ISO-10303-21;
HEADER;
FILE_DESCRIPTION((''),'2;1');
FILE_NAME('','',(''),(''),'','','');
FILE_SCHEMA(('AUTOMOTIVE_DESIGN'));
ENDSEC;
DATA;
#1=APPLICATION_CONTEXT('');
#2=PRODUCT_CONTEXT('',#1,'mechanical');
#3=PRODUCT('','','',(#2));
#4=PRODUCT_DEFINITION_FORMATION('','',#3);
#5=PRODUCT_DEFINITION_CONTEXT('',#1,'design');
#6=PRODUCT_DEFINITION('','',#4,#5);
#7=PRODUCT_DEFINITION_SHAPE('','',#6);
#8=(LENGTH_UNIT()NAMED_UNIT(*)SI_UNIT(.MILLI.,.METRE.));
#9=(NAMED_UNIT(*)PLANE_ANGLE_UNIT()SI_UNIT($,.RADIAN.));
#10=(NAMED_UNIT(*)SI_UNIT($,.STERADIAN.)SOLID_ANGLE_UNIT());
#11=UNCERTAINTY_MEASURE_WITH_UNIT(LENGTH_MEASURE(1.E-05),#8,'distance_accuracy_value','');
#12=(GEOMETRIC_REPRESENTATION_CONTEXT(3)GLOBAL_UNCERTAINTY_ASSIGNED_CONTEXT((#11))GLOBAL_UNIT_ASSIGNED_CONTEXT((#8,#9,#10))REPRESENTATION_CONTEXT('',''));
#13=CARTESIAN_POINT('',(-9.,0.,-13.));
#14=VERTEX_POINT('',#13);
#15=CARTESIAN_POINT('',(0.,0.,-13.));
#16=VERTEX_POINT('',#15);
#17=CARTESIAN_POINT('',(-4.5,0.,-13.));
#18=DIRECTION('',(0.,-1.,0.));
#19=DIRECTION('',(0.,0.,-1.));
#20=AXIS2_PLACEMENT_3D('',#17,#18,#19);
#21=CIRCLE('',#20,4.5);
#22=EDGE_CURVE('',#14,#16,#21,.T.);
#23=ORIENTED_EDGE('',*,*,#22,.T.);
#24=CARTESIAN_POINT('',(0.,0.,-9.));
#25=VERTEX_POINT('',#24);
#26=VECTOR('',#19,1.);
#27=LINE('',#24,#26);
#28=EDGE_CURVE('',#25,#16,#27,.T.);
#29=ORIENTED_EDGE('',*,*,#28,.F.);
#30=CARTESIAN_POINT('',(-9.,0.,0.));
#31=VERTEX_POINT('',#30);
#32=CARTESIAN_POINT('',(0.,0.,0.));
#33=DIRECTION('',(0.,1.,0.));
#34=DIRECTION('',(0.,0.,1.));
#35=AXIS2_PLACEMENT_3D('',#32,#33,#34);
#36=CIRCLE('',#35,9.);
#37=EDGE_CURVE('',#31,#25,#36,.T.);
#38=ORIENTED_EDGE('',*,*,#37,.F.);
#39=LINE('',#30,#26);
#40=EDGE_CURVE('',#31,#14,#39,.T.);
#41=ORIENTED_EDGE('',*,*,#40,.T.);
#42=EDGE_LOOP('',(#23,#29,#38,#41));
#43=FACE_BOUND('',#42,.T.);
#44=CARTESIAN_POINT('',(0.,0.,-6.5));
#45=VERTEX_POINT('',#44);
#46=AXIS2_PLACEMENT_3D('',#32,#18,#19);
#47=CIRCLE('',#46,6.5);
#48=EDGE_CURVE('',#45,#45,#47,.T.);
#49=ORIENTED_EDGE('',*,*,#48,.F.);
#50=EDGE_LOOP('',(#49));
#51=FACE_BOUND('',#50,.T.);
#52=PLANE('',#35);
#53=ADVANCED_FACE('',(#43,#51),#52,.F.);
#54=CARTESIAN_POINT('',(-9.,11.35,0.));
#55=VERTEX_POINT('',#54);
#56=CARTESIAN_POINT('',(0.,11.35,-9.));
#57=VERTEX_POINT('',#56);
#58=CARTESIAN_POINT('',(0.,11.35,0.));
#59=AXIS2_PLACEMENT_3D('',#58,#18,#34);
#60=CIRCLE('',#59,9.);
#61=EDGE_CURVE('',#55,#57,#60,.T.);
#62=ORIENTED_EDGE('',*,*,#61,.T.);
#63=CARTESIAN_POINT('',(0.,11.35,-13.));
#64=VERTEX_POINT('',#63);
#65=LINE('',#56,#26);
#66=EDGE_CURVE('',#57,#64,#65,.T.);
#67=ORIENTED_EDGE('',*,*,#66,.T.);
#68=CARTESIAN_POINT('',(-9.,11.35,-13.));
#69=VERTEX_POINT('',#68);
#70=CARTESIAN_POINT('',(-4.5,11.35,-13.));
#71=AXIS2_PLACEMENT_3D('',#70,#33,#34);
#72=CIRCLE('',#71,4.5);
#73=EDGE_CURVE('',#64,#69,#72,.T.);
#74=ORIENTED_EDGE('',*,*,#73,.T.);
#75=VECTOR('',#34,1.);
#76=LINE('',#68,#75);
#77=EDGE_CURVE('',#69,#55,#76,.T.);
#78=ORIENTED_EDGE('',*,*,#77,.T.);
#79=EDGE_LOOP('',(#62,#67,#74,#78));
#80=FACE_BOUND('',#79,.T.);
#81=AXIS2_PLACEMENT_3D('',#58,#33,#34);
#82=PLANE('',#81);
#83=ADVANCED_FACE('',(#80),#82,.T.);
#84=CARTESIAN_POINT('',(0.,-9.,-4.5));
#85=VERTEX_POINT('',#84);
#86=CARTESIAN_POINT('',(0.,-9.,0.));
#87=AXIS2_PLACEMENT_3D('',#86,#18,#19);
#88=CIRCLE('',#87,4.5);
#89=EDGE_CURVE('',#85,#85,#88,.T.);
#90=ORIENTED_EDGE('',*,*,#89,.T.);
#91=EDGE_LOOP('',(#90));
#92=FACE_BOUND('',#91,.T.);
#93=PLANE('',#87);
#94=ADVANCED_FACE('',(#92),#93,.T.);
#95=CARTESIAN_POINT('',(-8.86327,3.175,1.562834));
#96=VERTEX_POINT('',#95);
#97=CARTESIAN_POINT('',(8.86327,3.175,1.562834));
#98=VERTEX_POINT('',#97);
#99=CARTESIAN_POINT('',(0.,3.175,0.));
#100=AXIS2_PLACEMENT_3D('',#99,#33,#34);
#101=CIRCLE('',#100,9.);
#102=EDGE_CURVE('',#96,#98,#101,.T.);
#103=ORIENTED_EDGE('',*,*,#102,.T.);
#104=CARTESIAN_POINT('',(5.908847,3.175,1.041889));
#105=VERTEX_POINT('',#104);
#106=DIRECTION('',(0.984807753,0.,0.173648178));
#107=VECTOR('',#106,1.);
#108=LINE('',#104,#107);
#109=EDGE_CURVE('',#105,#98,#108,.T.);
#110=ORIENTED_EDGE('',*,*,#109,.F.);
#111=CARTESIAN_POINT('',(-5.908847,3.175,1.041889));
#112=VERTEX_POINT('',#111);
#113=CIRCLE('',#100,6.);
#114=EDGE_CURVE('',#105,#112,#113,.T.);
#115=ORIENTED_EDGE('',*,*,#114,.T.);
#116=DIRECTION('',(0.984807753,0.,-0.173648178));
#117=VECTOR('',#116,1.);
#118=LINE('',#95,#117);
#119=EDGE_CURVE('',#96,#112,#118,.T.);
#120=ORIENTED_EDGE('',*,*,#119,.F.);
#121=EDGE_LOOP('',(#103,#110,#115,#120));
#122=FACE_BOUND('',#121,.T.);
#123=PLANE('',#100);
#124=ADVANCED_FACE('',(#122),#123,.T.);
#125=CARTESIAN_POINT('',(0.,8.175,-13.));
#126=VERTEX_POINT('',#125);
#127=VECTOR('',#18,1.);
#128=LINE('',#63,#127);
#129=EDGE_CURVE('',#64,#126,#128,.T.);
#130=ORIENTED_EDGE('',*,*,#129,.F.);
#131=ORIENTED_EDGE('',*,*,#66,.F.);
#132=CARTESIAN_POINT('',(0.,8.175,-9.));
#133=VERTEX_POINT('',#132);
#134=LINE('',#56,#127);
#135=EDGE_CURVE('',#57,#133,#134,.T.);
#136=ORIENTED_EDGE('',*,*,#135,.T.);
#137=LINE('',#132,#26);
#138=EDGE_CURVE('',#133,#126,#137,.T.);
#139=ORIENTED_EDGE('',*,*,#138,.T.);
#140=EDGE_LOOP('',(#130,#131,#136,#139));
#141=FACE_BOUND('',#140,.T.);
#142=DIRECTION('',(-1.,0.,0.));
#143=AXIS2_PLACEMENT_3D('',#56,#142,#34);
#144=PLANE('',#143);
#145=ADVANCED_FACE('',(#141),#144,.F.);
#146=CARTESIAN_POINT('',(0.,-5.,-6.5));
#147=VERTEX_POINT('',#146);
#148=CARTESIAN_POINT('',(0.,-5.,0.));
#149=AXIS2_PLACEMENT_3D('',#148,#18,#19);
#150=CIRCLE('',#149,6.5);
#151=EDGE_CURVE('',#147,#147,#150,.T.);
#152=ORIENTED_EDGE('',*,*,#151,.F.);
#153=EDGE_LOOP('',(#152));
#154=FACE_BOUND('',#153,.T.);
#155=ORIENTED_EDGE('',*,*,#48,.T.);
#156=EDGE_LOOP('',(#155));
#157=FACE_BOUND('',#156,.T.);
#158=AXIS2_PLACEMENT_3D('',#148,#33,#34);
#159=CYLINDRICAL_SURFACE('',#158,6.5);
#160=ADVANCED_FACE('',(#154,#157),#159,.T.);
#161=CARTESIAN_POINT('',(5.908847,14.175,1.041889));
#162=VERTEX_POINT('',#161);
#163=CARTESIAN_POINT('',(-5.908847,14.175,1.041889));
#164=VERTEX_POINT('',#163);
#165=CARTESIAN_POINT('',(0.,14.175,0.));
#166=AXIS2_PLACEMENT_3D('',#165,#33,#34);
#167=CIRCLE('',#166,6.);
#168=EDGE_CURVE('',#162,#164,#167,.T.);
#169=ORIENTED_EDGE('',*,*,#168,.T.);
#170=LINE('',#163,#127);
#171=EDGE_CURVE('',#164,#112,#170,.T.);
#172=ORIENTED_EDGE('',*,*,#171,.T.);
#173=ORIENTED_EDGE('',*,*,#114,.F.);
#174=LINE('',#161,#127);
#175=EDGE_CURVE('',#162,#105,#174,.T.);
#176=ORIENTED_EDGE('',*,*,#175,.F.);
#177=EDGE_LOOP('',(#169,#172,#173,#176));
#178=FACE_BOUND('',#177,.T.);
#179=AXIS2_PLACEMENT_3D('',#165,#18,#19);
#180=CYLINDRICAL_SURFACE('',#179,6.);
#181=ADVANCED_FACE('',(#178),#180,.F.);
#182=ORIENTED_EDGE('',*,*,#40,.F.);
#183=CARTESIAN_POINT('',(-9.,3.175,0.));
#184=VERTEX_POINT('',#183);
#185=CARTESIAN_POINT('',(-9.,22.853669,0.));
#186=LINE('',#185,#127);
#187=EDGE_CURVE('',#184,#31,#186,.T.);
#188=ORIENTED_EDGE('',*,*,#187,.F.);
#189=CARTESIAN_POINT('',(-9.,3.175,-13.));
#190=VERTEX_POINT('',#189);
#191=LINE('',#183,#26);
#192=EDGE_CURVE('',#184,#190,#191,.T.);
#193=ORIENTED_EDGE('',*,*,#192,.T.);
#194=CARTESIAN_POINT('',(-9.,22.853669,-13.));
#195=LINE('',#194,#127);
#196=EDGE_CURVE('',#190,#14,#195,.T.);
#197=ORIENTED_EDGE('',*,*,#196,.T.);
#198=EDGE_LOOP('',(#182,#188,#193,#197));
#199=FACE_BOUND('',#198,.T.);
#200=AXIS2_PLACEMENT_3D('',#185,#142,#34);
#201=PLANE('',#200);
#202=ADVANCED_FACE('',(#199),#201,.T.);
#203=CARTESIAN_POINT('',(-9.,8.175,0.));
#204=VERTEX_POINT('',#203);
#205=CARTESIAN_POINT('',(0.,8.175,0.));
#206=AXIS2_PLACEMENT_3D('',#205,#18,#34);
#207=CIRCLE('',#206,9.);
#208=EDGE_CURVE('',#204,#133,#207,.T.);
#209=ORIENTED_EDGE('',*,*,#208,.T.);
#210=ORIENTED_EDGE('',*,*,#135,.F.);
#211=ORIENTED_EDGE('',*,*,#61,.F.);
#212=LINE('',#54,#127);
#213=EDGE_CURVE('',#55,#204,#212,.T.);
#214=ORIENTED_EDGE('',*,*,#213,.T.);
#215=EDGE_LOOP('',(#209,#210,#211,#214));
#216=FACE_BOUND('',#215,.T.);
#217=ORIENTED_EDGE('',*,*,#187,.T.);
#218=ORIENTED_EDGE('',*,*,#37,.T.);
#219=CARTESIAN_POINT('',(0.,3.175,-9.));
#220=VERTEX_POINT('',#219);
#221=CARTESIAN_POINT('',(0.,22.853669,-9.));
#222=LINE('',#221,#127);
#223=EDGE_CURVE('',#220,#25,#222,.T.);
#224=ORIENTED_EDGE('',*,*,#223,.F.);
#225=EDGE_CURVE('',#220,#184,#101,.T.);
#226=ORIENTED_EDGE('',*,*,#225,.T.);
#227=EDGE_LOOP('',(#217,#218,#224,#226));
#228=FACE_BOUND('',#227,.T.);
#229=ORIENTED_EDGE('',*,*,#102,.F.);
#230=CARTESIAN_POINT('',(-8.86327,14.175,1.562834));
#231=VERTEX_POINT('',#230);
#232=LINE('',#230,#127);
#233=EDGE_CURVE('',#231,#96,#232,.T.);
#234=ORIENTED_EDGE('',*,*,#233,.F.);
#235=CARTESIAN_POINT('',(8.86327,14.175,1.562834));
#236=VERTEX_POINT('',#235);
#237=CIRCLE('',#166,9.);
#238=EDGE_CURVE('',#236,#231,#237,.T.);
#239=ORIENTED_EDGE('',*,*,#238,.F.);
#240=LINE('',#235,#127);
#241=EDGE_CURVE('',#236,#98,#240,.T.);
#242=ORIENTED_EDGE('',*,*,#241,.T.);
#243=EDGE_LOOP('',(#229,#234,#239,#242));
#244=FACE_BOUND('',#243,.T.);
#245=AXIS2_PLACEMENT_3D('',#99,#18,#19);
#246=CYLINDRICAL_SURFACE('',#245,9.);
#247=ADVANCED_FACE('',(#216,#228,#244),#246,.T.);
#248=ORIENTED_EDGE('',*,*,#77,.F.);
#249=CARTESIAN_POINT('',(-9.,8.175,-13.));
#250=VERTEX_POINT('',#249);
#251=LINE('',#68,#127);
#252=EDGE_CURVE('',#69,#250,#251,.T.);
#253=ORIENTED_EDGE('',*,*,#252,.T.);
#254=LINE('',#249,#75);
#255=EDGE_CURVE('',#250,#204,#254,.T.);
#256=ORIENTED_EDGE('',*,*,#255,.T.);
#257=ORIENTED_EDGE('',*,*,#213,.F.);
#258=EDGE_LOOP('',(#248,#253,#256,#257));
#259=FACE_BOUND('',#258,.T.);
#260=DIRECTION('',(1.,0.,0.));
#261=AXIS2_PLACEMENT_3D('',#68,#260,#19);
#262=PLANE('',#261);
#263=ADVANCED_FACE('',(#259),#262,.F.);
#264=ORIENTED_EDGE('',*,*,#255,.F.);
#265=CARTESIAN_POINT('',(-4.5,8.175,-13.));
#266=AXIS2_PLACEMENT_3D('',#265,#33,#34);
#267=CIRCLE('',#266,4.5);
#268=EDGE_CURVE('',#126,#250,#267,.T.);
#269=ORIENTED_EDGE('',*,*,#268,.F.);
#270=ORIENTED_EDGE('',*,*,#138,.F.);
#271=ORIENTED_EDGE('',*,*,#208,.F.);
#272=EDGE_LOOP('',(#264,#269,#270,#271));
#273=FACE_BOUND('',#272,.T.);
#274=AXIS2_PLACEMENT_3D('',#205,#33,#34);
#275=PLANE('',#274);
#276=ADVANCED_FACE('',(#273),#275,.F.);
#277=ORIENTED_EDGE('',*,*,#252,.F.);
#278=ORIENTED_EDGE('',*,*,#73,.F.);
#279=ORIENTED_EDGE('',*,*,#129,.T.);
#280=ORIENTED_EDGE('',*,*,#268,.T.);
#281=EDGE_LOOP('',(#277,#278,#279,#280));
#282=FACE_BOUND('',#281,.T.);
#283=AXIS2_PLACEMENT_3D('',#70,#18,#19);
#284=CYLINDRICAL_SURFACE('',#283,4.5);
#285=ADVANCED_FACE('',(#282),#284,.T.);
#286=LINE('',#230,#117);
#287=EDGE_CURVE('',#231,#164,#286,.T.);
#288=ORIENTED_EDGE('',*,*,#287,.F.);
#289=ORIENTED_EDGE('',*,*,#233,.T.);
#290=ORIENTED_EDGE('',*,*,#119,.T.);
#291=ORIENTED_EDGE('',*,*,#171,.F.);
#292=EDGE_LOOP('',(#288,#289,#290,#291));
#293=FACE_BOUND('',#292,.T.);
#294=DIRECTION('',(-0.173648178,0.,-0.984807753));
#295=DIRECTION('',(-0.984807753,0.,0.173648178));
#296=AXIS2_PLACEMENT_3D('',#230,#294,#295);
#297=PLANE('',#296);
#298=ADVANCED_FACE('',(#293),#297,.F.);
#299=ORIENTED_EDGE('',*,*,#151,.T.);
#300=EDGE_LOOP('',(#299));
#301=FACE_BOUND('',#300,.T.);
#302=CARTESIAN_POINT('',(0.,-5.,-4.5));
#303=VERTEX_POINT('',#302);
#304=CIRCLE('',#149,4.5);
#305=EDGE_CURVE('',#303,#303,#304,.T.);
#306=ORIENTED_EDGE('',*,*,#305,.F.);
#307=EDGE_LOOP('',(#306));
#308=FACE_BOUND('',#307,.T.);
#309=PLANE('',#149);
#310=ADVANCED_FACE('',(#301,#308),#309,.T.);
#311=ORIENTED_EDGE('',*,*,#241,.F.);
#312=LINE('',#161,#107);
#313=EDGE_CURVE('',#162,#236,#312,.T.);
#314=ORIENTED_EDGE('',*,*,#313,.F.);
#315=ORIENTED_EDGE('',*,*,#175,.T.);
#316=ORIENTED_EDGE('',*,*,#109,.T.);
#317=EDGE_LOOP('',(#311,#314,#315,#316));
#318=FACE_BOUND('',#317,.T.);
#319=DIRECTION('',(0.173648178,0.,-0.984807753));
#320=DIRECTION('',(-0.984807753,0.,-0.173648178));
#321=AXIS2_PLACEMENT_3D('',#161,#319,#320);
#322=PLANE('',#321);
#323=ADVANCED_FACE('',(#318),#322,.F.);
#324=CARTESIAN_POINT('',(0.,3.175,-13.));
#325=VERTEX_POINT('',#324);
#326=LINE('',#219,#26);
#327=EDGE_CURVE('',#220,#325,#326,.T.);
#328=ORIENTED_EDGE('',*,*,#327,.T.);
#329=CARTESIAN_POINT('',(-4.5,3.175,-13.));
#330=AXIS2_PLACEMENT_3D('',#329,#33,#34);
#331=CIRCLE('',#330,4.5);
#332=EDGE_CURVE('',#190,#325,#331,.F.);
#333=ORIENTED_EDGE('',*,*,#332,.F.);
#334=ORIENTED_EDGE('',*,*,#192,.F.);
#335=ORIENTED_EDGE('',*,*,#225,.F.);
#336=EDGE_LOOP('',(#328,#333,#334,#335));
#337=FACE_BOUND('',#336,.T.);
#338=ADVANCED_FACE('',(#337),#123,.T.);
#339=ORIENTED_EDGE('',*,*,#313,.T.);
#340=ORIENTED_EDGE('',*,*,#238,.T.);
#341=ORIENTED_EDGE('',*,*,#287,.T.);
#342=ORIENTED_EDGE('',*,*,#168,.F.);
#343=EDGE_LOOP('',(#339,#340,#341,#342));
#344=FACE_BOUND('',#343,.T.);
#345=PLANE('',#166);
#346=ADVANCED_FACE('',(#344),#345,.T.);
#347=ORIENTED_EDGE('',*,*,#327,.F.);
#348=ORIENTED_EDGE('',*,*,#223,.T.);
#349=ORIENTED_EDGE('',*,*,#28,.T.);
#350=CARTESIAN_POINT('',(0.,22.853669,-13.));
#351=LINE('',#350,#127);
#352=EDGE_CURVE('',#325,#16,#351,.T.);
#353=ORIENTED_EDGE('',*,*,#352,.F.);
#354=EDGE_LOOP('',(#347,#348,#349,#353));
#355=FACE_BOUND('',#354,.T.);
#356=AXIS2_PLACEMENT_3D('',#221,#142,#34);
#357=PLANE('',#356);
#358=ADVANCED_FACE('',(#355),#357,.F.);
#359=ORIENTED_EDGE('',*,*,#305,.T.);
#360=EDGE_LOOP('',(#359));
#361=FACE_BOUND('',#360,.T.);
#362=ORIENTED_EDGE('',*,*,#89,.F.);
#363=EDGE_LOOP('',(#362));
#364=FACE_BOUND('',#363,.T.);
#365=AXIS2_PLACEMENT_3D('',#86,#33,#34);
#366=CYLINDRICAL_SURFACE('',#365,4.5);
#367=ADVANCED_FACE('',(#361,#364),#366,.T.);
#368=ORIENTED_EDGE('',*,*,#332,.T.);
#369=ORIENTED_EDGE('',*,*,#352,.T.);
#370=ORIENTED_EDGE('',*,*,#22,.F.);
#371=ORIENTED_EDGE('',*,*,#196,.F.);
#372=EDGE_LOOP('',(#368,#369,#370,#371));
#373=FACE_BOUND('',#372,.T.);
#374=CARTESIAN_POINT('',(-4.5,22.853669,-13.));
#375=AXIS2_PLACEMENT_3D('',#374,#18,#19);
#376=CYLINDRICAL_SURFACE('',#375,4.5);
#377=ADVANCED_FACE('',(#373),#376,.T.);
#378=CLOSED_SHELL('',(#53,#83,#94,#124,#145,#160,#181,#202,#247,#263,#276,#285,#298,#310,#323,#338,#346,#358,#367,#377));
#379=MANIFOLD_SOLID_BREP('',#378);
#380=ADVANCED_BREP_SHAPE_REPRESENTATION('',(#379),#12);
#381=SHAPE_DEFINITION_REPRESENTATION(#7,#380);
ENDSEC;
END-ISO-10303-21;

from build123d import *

# Parameters (mm, degrees)
SKETCH1_R           = 9
BOSS_EXTRUDE1_DEPTH = 3.175
BOSS_EXTRUDE2_DEPTH = 11
SKETCH4_R           = 6.5
BOSS_EXTRUDE3_DEPTH = 5
SKETCH5_R           = 4.5
BOSS_EXTRUDE4_DEPTH = 4
BOSS_EXTRUDE5_DEPTH = 3.175
BOSS_EXTRUDE6_DEPTH = 3.175


with BuildPart() as part:
    # Sketch1 → Boss-Extrude1 (new body)
    with BuildSketch(Plane(origin=(0, 0, 0), x_dir=(1, 0, 0), z_dir=(0, 1, 0))):
        Circle(SKETCH1_R)
    extrude(amount=BOSS_EXTRUDE1_DEPTH)

    # Sketch3 → Boss-Extrude2 (add)
    with BuildSketch(Plane(origin=(0, 3.175, 0), x_dir=(1, 0, 0), z_dir=(0, 1, 0))):
        with BuildLine():
            Line((-8.863269777, -1.562833599), (-5.908846518, -1.041889066))
            ThreePointArc((-5.908846518, -1.041889066), (0, 6), (5.908846518, -1.041889066))
            Line((5.908846518, -1.041889066), (8.863269777, -1.562833599))
            ThreePointArc((8.863269777, -1.562833599), (0, 9), (-8.863269777, -1.562833599))
        make_face()
    extrude(amount=BOSS_EXTRUDE2_DEPTH)

    # Sketch4 → Boss-Extrude3 (add)
    with BuildSketch(Plane.XZ):
        Circle(SKETCH4_R)
    extrude(amount=BOSS_EXTRUDE3_DEPTH)

    # Sketch5 → Boss-Extrude4 (add)
    with BuildSketch(Plane.XZ.offset(5)):
        Circle(SKETCH5_R)
    extrude(amount=BOSS_EXTRUDE4_DEPTH)

    # Sketch6 → Boss-Extrude5 (add)
    with BuildSketch(Plane(origin=(0, 0, 0), x_dir=(1, 0, 0), z_dir=(0, 1, 0))):
        with BuildLine():
            Line((-9, 0), (-9, 13))
            ThreePointArc((-9, 13), (-4.5, 17.5), (0, 13))
            Line((0, 13), (0, 9))
            ThreePointArc((0, 9), (-6.363961031, 6.363961031), (-9, 0))
        make_face()
    extrude(amount=BOSS_EXTRUDE5_DEPTH)

    # Sketch7 → Boss-Extrude6 (add)
    with BuildSketch(Plane(origin=(0, 8.174999906, 0), x_dir=(1, 0, 0), z_dir=(0, 1, 0))):
        with BuildLine():
            Line((0, 9), (0, 13))
            ThreePointArc((0, 13), (-4.5, 17.5), (-9, 13))
            Line((-9, 13), (-9, 0))
            ThreePointArc((-9, 0), (-6.363961031, 6.363961031), (0, 9))
        make_face()
    extrude(amount=BOSS_EXTRUDE6_DEPTH)


solid = part.part
